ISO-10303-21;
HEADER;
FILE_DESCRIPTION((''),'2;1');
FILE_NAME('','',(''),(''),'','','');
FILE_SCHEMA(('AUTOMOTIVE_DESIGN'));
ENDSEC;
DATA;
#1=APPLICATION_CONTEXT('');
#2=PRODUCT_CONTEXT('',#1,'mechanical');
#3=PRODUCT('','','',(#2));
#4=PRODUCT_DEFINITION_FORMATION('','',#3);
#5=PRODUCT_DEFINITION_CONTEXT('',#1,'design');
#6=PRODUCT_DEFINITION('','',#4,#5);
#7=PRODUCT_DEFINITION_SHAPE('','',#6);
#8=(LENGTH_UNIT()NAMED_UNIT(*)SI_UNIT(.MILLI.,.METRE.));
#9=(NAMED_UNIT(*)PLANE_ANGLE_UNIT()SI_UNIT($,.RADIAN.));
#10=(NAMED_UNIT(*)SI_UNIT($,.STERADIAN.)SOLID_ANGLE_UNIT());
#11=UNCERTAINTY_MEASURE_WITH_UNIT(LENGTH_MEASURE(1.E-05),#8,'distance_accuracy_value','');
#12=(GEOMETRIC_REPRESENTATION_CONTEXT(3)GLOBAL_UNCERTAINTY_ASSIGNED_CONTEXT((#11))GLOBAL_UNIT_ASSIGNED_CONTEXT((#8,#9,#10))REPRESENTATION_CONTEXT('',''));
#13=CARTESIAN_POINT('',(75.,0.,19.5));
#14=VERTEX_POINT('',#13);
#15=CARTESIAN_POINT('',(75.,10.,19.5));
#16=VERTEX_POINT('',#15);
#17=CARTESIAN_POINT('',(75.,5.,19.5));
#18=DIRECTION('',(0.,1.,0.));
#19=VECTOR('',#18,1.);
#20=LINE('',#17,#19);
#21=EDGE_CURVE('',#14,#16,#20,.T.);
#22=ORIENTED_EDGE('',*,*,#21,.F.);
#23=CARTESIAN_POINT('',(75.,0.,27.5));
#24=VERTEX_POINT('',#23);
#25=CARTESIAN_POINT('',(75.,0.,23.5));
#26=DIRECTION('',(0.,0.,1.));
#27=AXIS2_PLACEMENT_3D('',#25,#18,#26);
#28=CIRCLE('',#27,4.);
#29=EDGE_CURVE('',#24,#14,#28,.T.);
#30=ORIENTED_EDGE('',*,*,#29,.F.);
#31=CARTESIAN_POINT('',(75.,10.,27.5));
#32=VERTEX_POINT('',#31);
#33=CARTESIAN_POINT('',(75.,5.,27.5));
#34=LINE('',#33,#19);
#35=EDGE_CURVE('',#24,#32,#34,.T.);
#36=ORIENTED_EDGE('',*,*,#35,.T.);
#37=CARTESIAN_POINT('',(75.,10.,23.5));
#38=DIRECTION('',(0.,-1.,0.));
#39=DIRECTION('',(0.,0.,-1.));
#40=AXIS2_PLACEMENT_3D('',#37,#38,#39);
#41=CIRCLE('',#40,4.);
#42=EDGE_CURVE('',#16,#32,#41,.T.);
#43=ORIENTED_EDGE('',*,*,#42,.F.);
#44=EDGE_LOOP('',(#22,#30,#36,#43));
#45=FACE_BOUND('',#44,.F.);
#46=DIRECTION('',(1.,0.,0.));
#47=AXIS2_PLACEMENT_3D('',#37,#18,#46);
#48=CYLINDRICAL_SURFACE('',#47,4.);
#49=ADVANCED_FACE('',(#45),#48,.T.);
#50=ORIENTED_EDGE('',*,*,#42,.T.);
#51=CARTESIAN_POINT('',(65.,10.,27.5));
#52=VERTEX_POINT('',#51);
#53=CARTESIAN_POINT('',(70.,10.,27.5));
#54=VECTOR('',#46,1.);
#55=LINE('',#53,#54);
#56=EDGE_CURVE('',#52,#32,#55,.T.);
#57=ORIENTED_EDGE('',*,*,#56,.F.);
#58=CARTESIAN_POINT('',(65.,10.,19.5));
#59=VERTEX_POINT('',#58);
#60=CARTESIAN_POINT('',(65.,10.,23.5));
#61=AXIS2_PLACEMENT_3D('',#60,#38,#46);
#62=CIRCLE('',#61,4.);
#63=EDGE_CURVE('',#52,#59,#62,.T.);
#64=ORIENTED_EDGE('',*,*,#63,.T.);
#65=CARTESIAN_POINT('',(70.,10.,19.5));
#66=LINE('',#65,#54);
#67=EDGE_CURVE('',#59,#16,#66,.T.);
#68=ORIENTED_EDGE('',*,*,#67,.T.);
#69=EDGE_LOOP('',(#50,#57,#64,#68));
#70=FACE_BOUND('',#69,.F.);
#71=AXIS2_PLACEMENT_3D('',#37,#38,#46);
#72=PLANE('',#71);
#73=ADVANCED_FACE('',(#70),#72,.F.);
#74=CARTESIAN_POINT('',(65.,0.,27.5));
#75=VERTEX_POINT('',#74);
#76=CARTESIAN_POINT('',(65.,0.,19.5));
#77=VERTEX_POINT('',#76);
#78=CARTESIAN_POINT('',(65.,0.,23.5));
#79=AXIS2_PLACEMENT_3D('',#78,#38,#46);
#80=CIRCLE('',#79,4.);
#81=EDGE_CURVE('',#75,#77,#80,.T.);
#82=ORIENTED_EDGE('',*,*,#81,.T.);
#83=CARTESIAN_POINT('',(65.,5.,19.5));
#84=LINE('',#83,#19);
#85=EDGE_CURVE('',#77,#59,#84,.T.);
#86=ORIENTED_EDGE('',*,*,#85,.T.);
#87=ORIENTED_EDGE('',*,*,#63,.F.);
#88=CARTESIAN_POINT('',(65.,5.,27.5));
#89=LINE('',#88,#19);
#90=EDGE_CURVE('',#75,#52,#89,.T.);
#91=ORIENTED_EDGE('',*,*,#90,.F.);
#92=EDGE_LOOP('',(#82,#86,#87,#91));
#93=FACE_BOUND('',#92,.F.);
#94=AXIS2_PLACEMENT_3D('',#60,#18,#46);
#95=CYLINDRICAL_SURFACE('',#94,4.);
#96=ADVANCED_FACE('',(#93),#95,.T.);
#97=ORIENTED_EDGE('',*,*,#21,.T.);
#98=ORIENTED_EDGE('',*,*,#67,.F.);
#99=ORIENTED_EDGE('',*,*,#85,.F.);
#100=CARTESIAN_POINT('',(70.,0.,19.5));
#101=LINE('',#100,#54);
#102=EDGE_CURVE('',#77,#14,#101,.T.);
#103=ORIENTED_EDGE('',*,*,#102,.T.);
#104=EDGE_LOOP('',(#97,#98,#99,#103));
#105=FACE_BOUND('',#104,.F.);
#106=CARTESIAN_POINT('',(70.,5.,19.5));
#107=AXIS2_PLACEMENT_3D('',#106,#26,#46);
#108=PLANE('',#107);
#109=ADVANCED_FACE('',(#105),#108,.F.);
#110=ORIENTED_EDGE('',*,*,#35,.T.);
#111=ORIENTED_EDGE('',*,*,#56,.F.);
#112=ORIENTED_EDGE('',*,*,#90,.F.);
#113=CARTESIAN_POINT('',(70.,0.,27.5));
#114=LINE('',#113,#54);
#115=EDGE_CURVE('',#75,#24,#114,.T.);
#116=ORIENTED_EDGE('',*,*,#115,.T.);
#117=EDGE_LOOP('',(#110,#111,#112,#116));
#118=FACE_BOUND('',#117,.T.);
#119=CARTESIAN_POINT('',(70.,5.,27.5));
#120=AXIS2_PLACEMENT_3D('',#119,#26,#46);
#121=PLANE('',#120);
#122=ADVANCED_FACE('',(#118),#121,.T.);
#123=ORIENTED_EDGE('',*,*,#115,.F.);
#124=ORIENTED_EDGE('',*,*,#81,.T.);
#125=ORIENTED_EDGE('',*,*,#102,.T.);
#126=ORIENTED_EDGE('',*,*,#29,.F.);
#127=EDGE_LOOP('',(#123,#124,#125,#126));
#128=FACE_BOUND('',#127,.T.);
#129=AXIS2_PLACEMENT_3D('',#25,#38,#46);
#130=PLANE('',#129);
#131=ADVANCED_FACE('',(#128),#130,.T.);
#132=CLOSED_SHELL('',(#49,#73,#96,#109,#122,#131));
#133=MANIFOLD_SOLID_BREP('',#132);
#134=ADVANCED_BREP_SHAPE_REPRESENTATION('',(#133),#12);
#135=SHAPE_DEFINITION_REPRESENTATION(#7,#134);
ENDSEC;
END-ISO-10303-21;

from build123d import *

# Parameters (mm, degrees)
CYLINDER103_R     = 4
CYLINDER103_DEPTH = 10
CYLINDER104_R     = 4
CYLINDER104_DEPTH = 10
BOX069_W          = 10
BOX069_H          = 10
BOX069_DEPTH      = 8


with BuildPart() as usbccut001:
    # Cylinder103 → Cylinder103 (new body)
    with BuildSketch(Plane(origin=(65, 10, 23.5), x_dir=(1, 0, 0), z_dir=(0, -1, 0))):
        Circle(CYLINDER103_R)
    extrude(amount=CYLINDER103_DEPTH)


with BuildPart() as usbccut002:
    # Cylinder104 → Cylinder104 (new body)
    with BuildSketch(Plane(origin=(75, 10, 23.5), x_dir=(1, 0, 0), z_dir=(0, -1, 0))):
        Circle(CYLINDER104_R)
    extrude(amount=CYLINDER104_DEPTH)


with BuildPart() as usbccut003:
    # Box069 → Box069 (new body)
    with BuildSketch(Plane(origin=(65, 0, 19.5), x_dir=(1, 0, 0), z_dir=(0, 0, 1))):
        with Locations((5, 5)):
            Rectangle(BOX069_W, BOX069_H)
    extrude(amount=BOX069_DEPTH)

    # Fusion047: union usbCCut001, usbCCut002
    add(usbccut001.part)
    add(usbccut002.part)


solid = usbccut003.part
